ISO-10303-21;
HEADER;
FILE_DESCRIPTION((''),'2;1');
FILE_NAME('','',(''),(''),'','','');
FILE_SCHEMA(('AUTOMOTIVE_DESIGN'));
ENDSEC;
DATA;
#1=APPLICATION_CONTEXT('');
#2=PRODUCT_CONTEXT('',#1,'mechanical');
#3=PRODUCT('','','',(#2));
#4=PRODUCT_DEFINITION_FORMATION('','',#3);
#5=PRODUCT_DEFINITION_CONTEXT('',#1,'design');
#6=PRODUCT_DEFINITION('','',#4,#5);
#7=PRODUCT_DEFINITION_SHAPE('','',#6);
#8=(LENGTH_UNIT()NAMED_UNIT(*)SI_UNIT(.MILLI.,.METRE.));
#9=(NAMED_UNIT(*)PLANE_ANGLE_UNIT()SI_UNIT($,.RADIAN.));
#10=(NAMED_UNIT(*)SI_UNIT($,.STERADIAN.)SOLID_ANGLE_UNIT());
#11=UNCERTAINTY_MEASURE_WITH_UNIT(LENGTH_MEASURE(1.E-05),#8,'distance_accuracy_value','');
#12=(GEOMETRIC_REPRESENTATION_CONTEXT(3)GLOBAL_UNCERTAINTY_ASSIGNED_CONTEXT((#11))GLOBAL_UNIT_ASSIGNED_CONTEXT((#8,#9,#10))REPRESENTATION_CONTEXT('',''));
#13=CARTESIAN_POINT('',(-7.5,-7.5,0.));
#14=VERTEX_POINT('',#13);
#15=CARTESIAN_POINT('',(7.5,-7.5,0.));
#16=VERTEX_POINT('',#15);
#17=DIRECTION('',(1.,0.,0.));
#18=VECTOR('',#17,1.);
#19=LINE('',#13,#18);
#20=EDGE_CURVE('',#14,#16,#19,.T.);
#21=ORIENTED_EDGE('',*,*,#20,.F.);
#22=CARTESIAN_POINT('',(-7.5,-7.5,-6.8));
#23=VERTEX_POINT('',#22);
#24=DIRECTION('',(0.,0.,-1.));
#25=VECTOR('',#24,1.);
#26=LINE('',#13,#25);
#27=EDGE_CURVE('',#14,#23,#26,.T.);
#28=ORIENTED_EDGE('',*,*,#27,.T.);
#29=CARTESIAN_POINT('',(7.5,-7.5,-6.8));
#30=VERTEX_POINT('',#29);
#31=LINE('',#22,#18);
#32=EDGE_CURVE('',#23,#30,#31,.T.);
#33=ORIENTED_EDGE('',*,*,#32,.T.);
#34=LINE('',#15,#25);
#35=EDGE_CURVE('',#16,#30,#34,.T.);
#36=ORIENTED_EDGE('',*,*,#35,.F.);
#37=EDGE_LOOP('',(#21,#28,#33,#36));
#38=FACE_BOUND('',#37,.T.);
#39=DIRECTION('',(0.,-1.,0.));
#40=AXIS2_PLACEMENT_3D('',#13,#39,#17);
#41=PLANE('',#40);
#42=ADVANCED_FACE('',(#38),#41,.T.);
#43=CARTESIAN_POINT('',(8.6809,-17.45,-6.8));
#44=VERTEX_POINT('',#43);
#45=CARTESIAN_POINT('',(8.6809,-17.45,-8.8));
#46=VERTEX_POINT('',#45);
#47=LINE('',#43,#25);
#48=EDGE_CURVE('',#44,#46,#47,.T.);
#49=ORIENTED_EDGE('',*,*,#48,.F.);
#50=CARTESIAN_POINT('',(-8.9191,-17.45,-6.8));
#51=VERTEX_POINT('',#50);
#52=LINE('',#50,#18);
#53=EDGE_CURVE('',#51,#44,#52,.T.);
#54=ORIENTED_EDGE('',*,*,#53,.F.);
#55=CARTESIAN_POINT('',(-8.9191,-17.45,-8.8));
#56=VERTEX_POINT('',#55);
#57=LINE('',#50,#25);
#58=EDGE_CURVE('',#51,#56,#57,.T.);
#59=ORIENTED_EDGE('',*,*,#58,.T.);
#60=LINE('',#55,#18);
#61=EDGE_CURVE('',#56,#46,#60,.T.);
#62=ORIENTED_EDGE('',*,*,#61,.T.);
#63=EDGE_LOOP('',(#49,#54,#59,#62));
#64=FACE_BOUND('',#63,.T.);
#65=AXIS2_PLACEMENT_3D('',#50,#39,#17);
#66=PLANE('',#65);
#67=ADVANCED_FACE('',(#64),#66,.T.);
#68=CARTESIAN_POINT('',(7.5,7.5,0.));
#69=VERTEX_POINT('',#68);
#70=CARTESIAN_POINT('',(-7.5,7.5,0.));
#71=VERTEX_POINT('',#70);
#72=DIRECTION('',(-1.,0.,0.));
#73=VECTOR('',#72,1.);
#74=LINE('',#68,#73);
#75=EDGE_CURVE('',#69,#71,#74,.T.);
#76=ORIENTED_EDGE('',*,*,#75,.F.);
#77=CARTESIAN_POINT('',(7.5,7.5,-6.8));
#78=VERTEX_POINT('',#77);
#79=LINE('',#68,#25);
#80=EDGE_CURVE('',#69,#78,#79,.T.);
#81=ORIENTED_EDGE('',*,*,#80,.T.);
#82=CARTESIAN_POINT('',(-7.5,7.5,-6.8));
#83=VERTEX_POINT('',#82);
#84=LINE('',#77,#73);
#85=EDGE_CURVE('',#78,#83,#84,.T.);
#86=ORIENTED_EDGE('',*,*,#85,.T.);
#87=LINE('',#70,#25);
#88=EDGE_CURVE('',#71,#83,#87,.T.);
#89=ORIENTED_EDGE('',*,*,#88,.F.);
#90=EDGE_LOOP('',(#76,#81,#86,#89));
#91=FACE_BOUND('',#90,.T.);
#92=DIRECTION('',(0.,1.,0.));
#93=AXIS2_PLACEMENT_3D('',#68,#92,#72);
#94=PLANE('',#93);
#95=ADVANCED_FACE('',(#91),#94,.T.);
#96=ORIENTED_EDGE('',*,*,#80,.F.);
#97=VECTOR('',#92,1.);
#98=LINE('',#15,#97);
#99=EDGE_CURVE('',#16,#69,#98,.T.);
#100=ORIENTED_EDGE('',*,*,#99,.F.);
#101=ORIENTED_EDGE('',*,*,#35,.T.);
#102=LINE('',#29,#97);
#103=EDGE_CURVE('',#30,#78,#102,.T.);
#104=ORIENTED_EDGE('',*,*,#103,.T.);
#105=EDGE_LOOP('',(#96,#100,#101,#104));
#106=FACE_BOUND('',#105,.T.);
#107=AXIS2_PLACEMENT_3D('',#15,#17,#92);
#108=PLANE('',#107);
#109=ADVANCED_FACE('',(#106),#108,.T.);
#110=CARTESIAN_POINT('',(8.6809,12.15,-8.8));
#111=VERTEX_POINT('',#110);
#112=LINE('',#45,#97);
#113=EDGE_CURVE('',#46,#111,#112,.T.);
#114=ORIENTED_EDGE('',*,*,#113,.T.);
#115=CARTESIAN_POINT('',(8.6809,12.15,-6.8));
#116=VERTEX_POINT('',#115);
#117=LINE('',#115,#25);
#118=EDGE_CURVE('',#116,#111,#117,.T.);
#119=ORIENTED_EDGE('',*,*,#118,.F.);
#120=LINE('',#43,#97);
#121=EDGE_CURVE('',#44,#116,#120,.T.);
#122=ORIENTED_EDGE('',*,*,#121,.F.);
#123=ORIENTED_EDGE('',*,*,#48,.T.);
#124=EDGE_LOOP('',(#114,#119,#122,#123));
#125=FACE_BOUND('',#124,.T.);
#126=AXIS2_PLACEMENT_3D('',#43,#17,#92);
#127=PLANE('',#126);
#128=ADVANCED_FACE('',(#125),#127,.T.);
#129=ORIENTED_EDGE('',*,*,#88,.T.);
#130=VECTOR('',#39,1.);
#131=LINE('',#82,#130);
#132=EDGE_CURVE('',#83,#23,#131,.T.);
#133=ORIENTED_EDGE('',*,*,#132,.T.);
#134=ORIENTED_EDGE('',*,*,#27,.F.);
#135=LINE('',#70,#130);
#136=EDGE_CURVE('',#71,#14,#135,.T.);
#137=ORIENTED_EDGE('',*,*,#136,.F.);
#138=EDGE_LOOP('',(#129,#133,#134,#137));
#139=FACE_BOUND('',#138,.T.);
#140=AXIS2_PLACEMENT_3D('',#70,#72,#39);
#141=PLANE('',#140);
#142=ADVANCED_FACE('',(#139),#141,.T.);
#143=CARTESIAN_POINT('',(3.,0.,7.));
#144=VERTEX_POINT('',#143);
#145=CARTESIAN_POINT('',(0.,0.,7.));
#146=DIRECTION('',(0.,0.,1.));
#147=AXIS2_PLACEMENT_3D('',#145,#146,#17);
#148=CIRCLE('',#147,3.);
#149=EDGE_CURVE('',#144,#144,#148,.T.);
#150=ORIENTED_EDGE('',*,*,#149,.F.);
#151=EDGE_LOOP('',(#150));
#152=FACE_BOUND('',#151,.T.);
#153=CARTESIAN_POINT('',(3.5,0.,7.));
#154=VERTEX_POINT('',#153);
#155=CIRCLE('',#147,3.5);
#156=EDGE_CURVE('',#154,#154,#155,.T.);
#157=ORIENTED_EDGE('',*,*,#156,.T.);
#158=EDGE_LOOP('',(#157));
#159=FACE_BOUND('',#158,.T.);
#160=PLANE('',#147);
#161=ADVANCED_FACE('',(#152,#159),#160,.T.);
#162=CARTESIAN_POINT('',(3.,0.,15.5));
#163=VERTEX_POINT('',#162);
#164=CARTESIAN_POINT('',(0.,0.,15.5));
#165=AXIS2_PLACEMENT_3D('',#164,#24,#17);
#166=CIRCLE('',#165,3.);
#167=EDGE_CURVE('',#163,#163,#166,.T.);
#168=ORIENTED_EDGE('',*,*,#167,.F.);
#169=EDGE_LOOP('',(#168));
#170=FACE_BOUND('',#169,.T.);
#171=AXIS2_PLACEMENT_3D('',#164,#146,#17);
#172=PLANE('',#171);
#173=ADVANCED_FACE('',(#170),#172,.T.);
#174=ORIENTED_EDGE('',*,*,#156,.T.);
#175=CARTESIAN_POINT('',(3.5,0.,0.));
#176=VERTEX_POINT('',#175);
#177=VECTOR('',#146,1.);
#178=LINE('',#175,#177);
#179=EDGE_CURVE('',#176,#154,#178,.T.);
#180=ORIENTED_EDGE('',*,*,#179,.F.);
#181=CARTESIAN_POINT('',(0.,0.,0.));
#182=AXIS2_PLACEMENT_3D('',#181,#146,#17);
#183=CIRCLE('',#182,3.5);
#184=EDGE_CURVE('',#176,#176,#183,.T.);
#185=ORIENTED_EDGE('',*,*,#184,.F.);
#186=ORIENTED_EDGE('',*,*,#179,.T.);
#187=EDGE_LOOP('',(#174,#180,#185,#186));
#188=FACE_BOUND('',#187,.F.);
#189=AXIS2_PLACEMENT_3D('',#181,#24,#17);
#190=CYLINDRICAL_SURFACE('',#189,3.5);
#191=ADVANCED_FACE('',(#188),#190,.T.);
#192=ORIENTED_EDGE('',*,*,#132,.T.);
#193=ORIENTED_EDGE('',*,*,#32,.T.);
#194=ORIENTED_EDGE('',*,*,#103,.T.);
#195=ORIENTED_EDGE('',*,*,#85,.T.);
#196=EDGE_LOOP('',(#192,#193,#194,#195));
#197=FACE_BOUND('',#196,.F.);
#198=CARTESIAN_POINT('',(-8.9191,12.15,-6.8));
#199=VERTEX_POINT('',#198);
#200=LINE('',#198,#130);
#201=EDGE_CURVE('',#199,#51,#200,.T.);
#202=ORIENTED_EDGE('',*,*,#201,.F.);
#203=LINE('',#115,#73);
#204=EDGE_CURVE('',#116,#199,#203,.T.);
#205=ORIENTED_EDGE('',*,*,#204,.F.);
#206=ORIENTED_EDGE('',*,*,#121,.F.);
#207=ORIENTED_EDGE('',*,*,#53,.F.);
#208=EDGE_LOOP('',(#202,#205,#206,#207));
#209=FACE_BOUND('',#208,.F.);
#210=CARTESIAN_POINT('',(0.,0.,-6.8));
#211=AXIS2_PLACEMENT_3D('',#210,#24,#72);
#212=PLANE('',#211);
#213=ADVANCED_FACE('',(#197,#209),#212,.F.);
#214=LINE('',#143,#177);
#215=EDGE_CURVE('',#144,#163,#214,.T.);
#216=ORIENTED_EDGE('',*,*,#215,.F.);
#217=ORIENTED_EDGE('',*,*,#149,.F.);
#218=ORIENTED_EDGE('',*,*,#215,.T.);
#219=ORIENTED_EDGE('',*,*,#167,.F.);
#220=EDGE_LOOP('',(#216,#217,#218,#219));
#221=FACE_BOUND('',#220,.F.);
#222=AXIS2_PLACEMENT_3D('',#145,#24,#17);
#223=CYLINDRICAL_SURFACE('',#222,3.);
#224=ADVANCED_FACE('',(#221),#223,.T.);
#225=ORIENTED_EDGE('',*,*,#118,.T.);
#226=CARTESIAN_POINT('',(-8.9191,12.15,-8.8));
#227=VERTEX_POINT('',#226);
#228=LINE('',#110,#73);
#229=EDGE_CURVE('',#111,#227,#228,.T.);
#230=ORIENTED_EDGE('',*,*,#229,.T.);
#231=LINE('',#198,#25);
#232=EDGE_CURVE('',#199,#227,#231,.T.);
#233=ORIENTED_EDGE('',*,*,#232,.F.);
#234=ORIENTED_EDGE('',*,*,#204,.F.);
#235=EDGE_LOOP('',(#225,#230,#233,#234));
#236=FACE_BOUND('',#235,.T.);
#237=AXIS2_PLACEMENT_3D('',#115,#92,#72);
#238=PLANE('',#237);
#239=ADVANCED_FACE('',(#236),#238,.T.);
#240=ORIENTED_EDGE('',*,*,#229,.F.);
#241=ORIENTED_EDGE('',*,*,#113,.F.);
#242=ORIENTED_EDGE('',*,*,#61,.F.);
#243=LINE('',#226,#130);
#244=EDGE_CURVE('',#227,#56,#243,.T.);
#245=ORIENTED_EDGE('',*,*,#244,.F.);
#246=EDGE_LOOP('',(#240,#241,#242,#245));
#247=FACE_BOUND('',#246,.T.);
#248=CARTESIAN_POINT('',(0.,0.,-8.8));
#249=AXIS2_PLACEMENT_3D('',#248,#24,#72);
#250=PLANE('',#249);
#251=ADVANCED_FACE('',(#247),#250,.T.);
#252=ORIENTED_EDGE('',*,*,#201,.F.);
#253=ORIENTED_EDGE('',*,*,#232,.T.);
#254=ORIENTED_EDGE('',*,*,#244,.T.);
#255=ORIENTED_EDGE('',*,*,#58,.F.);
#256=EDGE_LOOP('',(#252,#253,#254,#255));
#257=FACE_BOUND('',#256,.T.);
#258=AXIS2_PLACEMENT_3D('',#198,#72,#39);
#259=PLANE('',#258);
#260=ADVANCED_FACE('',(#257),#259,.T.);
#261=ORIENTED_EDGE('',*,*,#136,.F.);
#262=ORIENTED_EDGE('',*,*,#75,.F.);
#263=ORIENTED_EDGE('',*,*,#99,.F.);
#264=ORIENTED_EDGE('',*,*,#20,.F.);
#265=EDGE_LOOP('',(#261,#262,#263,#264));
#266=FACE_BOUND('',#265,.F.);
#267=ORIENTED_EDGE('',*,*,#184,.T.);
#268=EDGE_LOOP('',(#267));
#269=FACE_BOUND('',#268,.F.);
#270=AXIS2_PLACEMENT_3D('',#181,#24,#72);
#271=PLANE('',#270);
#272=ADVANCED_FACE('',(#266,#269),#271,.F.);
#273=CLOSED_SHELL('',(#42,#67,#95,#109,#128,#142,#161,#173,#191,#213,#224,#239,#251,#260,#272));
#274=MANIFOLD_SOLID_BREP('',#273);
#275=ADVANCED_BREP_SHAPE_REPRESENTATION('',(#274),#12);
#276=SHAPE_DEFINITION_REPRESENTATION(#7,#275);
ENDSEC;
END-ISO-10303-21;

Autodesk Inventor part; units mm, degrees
ref_plane "YZ Plane" through (0, 0, 0) normal (1, 0, 0) x (0, 1, 0)
ref_plane "XZ Plane" through (0, 0, 0) normal (0, 1, 0) x (-1, 0, 0)
ref_plane "XY Plane" through (0, 0, 0) normal (0, 0, 1) x (1, 0, 0)
sketch "Skizze1" plane through (0, 0, 0) normal (0, 0, 1) x (1, 0, 0)
  circle A0 centre (0, 0) radius 3.5
  dimension "d0" = 7
extrude "Extrusion1" add sketch "Skizze1" along normal blind 7
sketch "Skizze2" plane through (0, 0, 0) normal (0, 0, -1) x (-1, 0, 0)
  line L0 (-7.5, 7.5) -> (7.5, 7.5)
  line L1 (7.5, 7.5) -> (7.5, -7.5)
  line L2 (7.5, -7.5) -> (-7.5, -7.5)
  line L3 (-7.5, -7.5) -> (-7.5, 7.5)
  line L4 (-7.5, 7.5) -> (7.5, -7.5) construction
  line L5 (7.5, 7.5) -> (-7.5, -7.5) construction
  point P0 (0, 0)
  dimension "d3" = 15
  dimension "d4" = 15
extrude "Extrusion2" add sketch "Skizze2" along normal blind 6.8
sketch "Skizze3" plane through (0, 0, -6.8) normal (0, 0, -1) x (-1, 0, 0)
  line L0 (-8.6809, 12.15) -> (8.9191, 12.15)
  line L1 (8.9191, 12.15) -> (8.9191, -17.45)
  line L2 (8.9191, -17.45) -> (-8.6809, -17.45)
  line L3 (-8.6809, -17.45) -> (-8.6809, 12.15)
  line L4 (7.5, 7.5) -> (-7.5, 7.5) projected
  point P0 (0, 0)
  dimension "d7" = 17.6
  dimension "d8" = 29.6
  dimension "d9" = 4.65
extrude "Extrusion3" add sketch "Skizze3" along normal blind 2
sketch "Skizze4" plane through (0, 0, 7) normal (0, 0, 1) x (1, 0, 0)
  circle A0 centre (0, 0) radius 3
  dimension "d12" = 6
extrude "Extrusion4" add sketch "Skizze4" along normal blind 13.5
sketch "Skizze5" plane through (0, 0, 20.5) normal (0, 0, 1) x (1, 0, 0)
  line L0 (-8.9965, 8.617) -> (9.175, 8.617)
  line L1 (9.175, 8.617) -> (9.175, -9.4653)
  line L2 (9.175, -9.4653) -> (-8.9965, -9.4653)
  line L3 (-8.9965, -9.4653) -> (-8.9965, 8.617)
  point P0 (0, 0)
extrude "Extrusion5" cut sketch "Skizze5" against normal blind 5
equation "\"d4\" = d3"
properties part number "encoder"
